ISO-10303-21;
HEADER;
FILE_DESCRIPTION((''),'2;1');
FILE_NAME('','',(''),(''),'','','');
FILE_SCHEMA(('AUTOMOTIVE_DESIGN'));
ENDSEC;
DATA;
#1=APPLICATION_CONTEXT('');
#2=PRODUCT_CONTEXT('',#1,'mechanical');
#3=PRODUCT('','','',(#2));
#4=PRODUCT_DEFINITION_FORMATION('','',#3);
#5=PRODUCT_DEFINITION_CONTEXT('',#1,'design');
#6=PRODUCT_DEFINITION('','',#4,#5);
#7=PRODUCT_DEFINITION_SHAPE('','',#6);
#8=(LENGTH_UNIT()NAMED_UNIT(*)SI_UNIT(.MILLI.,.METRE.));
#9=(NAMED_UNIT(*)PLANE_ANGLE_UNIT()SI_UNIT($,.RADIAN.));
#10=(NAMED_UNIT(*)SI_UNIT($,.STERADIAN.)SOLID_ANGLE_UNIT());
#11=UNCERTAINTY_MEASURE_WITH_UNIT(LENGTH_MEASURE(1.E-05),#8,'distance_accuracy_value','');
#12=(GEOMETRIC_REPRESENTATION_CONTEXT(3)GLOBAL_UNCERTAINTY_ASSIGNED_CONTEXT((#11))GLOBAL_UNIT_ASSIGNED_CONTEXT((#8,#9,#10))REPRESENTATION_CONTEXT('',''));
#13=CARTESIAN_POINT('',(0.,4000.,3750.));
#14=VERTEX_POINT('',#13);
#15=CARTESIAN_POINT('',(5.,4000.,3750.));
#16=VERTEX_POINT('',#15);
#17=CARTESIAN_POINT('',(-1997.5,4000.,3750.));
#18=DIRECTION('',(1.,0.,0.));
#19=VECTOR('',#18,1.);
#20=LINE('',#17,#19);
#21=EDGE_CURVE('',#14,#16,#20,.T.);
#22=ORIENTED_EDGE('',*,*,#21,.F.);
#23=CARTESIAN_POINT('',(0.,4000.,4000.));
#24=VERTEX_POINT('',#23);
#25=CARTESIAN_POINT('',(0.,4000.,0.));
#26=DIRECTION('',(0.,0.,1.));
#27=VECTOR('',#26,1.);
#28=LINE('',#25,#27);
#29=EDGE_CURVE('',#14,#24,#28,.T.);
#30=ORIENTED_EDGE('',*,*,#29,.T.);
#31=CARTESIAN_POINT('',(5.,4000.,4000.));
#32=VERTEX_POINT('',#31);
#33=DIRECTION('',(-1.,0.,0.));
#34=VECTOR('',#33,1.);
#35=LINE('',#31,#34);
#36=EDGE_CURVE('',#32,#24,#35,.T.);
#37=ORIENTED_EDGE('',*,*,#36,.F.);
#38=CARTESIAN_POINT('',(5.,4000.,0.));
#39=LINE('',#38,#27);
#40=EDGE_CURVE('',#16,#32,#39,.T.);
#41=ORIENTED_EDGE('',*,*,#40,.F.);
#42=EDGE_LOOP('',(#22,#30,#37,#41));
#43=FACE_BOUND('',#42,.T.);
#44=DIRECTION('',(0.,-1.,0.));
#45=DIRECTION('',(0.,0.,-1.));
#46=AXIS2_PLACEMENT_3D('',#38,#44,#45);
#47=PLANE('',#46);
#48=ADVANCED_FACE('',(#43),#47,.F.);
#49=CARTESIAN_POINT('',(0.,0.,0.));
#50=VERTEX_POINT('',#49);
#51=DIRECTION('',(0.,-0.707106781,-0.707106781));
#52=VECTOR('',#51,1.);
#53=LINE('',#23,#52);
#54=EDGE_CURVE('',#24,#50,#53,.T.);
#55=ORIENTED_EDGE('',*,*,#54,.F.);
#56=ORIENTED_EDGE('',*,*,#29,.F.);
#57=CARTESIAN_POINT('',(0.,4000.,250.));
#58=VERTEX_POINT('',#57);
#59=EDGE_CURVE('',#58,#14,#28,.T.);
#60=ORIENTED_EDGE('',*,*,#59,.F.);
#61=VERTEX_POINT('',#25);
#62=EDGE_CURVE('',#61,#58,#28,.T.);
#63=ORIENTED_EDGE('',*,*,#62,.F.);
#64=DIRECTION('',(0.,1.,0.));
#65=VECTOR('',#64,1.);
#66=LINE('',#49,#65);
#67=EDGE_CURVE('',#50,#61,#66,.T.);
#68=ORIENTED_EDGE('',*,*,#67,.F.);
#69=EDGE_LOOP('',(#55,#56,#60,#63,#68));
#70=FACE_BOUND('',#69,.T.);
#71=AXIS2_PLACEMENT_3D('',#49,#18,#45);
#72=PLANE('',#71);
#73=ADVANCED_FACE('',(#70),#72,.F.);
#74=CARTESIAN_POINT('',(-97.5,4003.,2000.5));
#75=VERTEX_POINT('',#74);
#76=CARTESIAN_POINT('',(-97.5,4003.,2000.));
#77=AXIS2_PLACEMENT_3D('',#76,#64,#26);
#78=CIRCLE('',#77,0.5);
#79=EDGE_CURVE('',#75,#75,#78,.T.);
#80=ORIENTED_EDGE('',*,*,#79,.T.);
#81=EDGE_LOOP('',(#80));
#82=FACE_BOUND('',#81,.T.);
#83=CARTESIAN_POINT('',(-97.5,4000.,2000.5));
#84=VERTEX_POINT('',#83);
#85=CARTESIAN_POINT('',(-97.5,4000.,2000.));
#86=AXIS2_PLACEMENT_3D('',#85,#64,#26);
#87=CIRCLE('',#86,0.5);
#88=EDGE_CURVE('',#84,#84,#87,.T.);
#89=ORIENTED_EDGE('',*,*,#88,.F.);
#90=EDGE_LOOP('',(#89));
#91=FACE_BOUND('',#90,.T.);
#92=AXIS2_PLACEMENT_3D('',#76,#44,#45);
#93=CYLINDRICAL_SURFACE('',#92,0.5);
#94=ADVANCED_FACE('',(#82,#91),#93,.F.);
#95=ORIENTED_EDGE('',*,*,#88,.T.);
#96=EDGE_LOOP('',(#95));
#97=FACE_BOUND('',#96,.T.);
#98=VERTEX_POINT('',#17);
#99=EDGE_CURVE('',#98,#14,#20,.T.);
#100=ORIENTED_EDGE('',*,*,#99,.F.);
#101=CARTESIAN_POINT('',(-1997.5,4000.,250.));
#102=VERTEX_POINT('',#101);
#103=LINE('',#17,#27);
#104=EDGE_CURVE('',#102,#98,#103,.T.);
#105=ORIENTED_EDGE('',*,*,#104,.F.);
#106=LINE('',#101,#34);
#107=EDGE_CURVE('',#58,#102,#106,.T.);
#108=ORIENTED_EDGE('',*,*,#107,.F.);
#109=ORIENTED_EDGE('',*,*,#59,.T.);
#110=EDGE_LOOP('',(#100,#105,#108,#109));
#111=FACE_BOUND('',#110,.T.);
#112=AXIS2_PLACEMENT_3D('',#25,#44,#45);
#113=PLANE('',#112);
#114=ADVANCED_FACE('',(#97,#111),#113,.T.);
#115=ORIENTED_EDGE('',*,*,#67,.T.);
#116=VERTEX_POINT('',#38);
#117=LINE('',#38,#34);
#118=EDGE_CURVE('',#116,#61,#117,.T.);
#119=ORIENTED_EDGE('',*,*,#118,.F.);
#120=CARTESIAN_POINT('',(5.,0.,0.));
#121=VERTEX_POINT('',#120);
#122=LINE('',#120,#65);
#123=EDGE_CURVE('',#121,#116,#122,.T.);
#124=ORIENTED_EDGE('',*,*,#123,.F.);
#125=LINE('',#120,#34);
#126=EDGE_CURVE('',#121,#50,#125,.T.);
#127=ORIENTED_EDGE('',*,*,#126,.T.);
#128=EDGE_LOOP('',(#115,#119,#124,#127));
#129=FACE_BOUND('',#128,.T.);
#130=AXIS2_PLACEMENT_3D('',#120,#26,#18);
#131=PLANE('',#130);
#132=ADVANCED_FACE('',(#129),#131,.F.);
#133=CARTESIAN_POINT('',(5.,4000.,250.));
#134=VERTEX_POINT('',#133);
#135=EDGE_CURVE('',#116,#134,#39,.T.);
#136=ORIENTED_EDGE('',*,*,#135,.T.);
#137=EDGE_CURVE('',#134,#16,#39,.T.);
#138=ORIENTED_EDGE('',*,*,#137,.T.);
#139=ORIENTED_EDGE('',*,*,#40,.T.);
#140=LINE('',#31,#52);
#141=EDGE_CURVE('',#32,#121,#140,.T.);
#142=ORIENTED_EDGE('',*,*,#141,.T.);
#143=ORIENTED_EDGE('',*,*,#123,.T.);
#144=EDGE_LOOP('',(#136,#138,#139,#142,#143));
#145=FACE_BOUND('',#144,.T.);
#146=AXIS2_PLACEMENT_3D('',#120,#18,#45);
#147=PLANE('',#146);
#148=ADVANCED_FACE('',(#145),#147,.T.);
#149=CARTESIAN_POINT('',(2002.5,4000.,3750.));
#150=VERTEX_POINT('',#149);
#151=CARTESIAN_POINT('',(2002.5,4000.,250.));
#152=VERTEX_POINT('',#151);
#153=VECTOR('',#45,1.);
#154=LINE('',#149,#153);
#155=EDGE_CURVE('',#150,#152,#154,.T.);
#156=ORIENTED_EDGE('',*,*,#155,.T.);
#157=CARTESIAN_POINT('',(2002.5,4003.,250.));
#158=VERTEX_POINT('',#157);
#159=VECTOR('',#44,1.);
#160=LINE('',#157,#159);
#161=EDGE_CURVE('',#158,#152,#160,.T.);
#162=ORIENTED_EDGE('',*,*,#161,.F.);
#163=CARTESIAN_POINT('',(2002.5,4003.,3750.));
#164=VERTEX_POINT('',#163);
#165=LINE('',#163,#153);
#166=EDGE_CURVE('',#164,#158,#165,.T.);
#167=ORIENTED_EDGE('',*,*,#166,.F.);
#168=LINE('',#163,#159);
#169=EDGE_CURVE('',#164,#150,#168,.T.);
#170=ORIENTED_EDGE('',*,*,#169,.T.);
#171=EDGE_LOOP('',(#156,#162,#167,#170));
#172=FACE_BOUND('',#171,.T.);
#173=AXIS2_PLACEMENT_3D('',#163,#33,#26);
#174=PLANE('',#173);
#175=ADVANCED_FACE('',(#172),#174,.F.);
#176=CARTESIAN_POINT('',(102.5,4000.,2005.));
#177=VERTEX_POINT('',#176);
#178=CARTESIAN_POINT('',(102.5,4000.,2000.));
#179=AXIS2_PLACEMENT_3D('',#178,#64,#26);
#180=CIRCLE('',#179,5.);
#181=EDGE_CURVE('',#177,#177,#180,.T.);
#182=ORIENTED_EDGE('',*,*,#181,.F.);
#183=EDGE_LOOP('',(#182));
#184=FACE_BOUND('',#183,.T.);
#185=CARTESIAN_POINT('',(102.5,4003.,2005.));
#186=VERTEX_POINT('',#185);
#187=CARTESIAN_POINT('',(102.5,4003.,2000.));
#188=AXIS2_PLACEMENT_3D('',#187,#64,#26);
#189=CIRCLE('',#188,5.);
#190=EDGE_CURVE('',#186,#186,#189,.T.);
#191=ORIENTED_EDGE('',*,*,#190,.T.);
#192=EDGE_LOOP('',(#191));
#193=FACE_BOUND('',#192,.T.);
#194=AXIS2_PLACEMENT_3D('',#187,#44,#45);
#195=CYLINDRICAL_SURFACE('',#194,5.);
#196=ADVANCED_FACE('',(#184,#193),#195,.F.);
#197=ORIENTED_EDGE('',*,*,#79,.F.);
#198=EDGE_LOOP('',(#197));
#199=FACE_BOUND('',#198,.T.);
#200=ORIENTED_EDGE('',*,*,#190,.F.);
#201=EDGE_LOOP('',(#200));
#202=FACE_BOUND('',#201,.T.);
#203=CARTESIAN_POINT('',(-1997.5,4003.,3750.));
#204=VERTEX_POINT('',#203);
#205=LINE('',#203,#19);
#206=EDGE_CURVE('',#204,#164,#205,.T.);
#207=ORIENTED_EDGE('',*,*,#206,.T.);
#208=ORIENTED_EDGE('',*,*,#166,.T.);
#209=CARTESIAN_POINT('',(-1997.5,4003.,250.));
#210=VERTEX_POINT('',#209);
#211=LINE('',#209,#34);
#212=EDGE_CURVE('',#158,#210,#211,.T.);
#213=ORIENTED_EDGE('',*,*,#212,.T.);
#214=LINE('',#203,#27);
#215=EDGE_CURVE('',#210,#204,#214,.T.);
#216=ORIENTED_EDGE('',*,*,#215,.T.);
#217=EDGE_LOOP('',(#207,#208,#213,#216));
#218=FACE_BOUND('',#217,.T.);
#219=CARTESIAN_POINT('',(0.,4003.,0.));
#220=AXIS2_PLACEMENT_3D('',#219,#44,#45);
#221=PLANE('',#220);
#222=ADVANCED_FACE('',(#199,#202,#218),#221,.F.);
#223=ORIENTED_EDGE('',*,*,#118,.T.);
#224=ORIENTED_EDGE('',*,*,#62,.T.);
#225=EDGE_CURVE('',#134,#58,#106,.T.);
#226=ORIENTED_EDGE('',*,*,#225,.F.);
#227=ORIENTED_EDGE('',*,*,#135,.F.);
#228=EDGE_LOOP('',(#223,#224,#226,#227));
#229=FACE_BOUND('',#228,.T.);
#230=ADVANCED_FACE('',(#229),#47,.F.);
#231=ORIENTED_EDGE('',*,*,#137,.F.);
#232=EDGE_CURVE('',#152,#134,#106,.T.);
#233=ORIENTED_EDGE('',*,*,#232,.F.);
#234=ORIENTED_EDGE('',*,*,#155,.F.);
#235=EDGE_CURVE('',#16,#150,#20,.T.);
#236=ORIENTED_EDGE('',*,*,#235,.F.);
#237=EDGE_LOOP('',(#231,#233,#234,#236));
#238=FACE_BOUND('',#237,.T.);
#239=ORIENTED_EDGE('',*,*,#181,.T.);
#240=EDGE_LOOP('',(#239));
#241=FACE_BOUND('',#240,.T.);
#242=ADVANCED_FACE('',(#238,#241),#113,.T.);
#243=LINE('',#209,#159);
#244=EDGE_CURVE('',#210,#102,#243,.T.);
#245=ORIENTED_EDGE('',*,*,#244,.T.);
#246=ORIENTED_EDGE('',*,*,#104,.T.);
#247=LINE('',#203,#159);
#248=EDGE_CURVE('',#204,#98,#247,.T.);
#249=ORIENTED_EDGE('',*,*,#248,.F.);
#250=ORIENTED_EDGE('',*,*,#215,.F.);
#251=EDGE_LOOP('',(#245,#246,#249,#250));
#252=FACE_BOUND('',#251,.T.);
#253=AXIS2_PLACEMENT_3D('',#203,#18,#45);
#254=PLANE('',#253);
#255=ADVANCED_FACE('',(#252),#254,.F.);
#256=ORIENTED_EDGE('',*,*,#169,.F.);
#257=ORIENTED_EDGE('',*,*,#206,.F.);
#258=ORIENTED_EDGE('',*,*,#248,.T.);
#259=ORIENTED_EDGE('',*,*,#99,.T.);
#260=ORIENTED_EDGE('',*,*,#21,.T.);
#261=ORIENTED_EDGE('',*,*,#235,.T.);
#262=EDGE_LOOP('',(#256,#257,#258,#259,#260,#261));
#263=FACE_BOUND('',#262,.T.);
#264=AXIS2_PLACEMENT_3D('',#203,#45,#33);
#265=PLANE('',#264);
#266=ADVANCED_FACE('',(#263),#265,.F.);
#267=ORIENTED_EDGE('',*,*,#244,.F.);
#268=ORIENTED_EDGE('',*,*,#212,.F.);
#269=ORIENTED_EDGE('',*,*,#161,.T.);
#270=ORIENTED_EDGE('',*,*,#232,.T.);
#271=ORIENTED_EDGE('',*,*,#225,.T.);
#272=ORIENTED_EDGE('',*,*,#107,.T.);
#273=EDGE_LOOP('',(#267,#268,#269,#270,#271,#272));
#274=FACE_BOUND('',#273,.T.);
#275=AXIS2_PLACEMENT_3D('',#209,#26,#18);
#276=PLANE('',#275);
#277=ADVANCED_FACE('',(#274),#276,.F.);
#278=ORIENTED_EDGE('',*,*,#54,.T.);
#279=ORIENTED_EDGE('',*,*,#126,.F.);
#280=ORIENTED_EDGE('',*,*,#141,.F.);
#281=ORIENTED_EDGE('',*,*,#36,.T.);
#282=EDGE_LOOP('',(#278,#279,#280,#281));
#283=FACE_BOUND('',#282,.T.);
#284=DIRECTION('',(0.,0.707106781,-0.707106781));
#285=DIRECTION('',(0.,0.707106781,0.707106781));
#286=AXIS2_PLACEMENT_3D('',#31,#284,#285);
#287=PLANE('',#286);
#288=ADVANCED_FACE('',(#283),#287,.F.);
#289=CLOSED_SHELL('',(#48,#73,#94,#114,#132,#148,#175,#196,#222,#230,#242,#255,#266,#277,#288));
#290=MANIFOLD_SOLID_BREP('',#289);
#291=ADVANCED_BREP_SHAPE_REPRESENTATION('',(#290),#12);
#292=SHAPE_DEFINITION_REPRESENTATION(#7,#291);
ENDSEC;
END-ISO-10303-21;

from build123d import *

# Parameters (mm, degrees)
EXTRUDE_1_DEPTH = 5
SKETCH_2_W      = 4000
SKETCH_2_H      = 3500
SKETCH_2_R      = 0.5
SKETCH_2_R_2    = 5
EXTRUDE_2_DEPTH = 3


with BuildPart() as part:
    # Эскиз1 → Бобышка-Вытянуть1 (new body)
    with BuildSketch(Plane(origin=(0, 0, 0), x_dir=(0, 0, -1), z_dir=(1, 0, 0))):
        Polygon((-4000, 4000), (0, 0), (0, 4000), align=None)
    extrude(amount=EXTRUDE_1_DEPTH)

    # Эскиз2 → Бобышка-Вытянуть2 (add)
    with BuildSketch(Plane(origin=(0, 4000, 0), x_dir=(1, 0, 0), z_dir=(0, 1, 0))):
        with Locations((2.5, -2000)):
            Rectangle(SKETCH_2_W, SKETCH_2_H)
        with Locations(Location((-97.5, -2000, 0), (0, 0, 270))):
            Circle(SKETCH_2_R, mode=Mode.SUBTRACT)
        with Locations(Location((102.5, -2000, 0), (0, 0, 270))):
            Circle(SKETCH_2_R_2, mode=Mode.SUBTRACT)
    extrude(amount=EXTRUDE_2_DEPTH)


solid = part.part
